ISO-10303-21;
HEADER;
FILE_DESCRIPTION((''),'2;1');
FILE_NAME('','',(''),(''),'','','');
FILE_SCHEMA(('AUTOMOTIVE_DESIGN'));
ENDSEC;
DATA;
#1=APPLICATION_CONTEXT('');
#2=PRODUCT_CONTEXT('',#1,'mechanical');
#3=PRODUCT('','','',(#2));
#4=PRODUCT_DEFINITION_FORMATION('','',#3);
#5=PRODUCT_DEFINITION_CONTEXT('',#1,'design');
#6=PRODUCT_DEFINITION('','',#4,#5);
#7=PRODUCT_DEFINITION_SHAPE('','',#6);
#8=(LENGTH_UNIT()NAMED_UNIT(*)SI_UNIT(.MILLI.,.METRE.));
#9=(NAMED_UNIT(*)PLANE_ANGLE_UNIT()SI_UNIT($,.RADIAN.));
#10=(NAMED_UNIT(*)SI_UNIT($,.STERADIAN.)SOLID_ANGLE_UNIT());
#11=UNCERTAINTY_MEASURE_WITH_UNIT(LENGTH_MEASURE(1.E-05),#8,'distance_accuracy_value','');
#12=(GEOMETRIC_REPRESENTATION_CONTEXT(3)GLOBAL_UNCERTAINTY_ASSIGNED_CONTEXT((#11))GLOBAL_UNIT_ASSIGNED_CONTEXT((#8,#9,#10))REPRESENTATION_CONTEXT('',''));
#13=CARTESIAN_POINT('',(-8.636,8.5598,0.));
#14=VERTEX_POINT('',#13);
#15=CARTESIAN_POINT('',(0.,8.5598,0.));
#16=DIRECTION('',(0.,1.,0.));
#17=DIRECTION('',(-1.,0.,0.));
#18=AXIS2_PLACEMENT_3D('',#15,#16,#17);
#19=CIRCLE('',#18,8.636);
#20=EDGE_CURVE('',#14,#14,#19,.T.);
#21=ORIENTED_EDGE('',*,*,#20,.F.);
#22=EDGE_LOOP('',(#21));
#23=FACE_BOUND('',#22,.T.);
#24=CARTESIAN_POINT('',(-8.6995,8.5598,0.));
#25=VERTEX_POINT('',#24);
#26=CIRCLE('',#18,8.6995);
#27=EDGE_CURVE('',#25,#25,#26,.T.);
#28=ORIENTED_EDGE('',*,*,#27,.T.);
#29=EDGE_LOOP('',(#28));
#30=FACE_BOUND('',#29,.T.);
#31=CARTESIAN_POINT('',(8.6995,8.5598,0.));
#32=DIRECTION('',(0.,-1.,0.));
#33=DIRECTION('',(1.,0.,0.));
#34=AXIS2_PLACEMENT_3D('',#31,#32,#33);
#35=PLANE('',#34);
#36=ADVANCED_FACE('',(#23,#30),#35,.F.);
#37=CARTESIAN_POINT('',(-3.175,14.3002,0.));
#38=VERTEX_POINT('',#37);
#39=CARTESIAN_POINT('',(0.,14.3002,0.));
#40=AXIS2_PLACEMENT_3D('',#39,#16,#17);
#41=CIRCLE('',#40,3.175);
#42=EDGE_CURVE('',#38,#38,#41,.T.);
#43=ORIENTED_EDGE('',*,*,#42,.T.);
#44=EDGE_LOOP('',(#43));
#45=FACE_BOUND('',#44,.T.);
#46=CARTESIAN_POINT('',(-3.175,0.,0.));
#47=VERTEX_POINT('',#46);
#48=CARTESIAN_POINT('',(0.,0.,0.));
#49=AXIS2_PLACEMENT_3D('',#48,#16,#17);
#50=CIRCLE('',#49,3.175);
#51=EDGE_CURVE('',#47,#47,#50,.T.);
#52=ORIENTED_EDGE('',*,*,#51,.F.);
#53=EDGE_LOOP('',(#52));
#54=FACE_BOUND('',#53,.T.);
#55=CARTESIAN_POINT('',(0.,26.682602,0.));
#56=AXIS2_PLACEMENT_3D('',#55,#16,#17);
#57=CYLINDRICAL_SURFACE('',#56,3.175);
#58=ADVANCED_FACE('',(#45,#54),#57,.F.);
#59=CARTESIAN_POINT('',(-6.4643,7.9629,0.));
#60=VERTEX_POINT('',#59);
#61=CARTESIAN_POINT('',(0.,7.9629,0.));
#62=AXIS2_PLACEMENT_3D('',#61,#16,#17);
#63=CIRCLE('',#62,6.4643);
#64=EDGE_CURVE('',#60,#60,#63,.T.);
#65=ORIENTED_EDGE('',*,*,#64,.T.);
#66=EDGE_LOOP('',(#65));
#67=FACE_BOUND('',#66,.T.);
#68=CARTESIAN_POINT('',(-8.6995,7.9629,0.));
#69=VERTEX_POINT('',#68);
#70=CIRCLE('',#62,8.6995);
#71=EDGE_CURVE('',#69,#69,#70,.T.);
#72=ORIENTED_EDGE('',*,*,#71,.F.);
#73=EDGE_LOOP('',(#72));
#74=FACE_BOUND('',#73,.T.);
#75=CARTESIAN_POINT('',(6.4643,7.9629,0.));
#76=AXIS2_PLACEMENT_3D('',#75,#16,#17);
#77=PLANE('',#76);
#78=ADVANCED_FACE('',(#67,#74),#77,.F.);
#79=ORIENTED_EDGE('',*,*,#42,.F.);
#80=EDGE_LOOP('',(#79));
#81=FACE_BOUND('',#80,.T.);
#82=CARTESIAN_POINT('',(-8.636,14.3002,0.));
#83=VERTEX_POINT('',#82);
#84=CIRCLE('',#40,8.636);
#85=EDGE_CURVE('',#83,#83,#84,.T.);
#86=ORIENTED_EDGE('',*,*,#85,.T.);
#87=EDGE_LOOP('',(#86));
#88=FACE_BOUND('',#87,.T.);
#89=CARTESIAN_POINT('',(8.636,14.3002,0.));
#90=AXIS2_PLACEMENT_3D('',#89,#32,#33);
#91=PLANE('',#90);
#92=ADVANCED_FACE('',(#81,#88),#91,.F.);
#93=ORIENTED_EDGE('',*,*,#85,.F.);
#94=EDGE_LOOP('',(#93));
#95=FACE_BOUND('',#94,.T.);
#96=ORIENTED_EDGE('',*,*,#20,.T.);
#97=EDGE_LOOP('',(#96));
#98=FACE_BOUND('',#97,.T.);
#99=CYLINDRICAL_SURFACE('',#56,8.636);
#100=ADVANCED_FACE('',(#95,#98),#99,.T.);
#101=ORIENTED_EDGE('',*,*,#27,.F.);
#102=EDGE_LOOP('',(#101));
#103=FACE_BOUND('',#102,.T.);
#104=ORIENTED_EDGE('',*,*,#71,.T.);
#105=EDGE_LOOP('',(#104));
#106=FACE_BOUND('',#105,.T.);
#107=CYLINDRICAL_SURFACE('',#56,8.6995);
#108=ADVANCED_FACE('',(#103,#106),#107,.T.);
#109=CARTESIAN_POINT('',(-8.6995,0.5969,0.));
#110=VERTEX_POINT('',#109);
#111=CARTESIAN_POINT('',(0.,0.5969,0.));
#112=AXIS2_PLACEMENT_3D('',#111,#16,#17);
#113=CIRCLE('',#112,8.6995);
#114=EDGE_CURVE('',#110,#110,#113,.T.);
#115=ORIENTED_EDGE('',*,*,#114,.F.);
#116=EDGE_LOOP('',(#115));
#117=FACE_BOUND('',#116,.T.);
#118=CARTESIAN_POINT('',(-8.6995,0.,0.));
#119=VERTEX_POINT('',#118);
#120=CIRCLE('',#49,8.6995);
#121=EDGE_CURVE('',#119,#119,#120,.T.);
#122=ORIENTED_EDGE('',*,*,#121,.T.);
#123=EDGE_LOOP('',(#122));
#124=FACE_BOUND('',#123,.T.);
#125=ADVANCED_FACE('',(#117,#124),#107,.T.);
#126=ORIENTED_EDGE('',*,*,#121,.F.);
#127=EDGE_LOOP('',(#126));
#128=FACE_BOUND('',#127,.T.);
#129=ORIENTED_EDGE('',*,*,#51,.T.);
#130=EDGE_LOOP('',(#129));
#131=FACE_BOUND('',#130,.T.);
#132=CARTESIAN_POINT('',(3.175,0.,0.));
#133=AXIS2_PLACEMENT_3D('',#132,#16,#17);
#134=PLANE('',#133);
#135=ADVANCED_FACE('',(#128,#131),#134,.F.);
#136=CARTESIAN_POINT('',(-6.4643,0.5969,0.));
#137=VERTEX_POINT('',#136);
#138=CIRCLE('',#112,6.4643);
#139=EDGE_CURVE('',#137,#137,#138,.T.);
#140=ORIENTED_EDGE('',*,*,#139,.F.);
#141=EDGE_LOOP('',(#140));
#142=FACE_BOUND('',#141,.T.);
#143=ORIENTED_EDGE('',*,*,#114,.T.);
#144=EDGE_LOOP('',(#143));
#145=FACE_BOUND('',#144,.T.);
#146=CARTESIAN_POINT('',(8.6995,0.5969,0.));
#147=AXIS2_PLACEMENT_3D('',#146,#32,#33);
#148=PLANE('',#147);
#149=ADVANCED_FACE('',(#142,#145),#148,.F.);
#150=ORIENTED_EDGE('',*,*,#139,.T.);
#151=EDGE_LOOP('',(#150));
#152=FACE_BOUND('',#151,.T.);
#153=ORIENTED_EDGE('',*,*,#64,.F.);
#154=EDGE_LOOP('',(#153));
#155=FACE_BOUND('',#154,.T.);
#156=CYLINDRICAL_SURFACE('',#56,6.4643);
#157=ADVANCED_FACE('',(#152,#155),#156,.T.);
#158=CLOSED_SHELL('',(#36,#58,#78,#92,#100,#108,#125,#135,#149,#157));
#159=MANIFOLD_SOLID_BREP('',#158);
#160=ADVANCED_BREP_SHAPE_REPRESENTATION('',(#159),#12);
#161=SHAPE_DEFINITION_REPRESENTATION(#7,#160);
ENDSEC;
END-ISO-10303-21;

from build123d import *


with BuildPart() as part:
    # Sketch1 → Revolve1 (revolve)
    with BuildSketch(Plane.XY):
        Polygon((6.4643, 0.5969), (6.4643, 7.9629), (8.6995, 7.9629), (8.6995, 8.5598), (8.636, 8.5598), (8.636, 14.3002), (3.175, 14.3002), (3.175, 0), (8.6995, 0), (8.6995, 0.5969), align=None)
    revolve(axis=Axis((0, 26.682602177, 0), (0, -1, 0)))


solid = part.part
